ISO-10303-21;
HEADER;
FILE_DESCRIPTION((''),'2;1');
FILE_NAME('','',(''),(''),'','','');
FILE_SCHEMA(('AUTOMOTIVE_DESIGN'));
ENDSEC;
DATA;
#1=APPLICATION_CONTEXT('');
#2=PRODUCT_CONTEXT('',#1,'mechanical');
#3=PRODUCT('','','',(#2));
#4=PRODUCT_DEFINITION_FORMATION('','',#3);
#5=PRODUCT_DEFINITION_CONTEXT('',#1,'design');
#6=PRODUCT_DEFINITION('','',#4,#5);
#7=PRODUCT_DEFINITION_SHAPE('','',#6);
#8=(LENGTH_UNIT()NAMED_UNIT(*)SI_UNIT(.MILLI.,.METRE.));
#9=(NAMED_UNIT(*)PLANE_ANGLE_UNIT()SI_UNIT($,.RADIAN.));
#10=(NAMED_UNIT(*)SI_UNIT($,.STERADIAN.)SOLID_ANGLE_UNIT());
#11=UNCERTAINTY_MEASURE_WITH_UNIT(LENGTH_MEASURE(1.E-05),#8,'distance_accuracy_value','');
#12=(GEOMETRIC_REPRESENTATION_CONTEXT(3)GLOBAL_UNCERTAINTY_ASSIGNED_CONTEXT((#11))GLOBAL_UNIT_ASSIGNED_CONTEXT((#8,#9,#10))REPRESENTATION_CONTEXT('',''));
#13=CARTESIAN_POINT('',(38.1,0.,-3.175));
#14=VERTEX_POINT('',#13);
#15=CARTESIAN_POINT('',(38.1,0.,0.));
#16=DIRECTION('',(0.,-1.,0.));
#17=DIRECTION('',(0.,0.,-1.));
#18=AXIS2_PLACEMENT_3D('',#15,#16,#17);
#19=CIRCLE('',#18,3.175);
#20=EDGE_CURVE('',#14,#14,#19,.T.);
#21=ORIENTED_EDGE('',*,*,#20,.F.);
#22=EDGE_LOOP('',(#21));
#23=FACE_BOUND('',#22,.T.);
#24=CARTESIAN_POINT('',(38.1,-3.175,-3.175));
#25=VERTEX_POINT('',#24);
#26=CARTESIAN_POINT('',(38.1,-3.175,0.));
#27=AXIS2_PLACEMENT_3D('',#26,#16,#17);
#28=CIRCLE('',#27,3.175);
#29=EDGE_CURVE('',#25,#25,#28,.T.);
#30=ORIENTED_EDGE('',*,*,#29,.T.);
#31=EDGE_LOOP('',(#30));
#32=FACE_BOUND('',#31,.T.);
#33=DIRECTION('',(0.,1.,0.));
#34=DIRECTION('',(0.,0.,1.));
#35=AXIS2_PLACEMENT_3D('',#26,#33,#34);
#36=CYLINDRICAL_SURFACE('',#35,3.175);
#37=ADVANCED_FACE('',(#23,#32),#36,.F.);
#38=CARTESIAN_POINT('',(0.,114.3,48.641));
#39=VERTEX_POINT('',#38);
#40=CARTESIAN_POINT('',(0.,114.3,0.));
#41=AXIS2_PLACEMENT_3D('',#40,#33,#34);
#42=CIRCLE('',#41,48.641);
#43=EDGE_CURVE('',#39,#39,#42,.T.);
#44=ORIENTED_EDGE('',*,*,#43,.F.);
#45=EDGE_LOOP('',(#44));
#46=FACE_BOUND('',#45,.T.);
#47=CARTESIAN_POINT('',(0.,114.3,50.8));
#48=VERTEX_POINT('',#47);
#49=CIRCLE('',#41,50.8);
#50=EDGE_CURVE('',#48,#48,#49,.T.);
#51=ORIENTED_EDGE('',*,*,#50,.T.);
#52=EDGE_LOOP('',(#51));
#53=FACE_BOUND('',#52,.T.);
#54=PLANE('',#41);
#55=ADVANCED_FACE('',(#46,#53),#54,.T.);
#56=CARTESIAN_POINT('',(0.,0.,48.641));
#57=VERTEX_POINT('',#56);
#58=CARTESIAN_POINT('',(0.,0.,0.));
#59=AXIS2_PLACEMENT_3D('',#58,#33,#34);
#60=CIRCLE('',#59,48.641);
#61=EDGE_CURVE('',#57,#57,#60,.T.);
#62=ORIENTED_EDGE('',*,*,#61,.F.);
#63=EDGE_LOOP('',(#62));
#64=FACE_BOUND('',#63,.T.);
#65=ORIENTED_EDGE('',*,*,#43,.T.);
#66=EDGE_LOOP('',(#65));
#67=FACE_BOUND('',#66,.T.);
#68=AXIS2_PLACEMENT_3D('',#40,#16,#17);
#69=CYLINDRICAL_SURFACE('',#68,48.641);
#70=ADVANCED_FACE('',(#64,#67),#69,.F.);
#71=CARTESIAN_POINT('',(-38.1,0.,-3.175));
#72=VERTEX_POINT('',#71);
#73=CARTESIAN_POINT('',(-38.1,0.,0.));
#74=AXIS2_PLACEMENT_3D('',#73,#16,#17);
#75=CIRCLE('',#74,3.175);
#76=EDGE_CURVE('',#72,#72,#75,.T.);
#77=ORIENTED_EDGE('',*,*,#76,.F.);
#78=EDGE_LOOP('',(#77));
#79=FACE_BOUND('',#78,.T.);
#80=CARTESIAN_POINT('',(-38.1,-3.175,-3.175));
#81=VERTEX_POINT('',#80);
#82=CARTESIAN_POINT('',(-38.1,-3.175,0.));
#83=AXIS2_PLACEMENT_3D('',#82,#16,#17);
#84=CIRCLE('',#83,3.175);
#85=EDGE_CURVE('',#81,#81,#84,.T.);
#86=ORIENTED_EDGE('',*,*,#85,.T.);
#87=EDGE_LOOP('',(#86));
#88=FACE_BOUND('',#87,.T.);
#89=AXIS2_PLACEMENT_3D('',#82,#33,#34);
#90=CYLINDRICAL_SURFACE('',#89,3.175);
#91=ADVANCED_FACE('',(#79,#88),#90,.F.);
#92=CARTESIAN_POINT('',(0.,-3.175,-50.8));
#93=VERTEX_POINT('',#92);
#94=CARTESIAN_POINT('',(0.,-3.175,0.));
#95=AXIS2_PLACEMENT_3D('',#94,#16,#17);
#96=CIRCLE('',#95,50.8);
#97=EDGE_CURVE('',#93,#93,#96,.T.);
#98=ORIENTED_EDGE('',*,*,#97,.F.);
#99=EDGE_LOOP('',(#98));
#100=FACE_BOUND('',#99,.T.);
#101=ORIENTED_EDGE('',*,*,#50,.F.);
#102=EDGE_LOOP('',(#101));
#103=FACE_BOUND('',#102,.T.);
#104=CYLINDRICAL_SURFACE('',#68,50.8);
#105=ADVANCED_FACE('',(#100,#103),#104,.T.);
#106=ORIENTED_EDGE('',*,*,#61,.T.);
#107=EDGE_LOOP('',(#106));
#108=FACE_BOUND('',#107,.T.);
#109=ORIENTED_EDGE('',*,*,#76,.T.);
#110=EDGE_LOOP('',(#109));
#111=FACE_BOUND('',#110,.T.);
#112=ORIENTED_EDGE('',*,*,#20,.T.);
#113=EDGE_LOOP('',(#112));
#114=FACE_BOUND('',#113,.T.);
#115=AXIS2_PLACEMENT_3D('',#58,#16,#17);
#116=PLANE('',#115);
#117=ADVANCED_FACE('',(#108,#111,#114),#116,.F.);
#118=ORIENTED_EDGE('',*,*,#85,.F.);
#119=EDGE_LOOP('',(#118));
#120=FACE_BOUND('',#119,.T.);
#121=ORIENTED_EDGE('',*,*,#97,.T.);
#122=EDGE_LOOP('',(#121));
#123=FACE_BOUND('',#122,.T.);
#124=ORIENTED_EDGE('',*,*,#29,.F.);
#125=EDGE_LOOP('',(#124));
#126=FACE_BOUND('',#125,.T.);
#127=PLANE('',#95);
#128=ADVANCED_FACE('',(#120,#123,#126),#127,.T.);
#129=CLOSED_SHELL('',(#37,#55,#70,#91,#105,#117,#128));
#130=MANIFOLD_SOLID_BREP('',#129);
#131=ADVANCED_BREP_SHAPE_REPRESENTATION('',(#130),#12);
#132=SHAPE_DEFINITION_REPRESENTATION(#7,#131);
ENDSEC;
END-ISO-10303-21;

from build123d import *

# Parameters (mm, degrees)
SKETCH1_R           = 50.8
SKETCH1_R_2         = 48.641
BOSS_EXTRUDE1_DEPTH = 114.3
SKETCH2_R           = 50.8
SKETCH2_R_2         = 48.641
SKETCH2_R_3         = 3.175
BOSS_EXTRUDE2_DEPTH = 3.175


with BuildPart() as part:
    # Sketch1 → Boss-Extrude1 (new body)
    with BuildSketch(Plane(origin=(0, 0, 0), x_dir=(1, 0, 0), z_dir=(0, 1, 0))):
        with Locations(Location((0, 0, 0), (0, 0, 270))):
            Circle(SKETCH1_R)
        with Locations(Location((0, 0, 0), (0, 0, 270))):
            Circle(SKETCH1_R_2, mode=Mode.SUBTRACT)
    extrude(amount=BOSS_EXTRUDE1_DEPTH)

    # Sketch2 → Boss-Extrude2 (add)
    with BuildSketch(Plane.XZ):
        with Locations(Location((0, 0, 0), (0, 0, 270))):
            Circle(SKETCH2_R)
        with Locations(Location((0, 0, 0), (0, 0, 90))):
            Circle(SKETCH2_R_2, mode=Mode.SUBTRACT)
        with Locations(Location((0, 0, 0), (0, 0, 90))):
            Circle(SKETCH2_R_2)
        with Locations(Location((38.1, 0, 0), (0, 0, 270))):
            Circle(SKETCH2_R_3, mode=Mode.SUBTRACT)
        with Locations(Location((-38.1, 0, 0), (0, 0, 270))):
            Circle(SKETCH2_R_3, mode=Mode.SUBTRACT)
    extrude(amount=BOSS_EXTRUDE2_DEPTH)


solid = part.part
